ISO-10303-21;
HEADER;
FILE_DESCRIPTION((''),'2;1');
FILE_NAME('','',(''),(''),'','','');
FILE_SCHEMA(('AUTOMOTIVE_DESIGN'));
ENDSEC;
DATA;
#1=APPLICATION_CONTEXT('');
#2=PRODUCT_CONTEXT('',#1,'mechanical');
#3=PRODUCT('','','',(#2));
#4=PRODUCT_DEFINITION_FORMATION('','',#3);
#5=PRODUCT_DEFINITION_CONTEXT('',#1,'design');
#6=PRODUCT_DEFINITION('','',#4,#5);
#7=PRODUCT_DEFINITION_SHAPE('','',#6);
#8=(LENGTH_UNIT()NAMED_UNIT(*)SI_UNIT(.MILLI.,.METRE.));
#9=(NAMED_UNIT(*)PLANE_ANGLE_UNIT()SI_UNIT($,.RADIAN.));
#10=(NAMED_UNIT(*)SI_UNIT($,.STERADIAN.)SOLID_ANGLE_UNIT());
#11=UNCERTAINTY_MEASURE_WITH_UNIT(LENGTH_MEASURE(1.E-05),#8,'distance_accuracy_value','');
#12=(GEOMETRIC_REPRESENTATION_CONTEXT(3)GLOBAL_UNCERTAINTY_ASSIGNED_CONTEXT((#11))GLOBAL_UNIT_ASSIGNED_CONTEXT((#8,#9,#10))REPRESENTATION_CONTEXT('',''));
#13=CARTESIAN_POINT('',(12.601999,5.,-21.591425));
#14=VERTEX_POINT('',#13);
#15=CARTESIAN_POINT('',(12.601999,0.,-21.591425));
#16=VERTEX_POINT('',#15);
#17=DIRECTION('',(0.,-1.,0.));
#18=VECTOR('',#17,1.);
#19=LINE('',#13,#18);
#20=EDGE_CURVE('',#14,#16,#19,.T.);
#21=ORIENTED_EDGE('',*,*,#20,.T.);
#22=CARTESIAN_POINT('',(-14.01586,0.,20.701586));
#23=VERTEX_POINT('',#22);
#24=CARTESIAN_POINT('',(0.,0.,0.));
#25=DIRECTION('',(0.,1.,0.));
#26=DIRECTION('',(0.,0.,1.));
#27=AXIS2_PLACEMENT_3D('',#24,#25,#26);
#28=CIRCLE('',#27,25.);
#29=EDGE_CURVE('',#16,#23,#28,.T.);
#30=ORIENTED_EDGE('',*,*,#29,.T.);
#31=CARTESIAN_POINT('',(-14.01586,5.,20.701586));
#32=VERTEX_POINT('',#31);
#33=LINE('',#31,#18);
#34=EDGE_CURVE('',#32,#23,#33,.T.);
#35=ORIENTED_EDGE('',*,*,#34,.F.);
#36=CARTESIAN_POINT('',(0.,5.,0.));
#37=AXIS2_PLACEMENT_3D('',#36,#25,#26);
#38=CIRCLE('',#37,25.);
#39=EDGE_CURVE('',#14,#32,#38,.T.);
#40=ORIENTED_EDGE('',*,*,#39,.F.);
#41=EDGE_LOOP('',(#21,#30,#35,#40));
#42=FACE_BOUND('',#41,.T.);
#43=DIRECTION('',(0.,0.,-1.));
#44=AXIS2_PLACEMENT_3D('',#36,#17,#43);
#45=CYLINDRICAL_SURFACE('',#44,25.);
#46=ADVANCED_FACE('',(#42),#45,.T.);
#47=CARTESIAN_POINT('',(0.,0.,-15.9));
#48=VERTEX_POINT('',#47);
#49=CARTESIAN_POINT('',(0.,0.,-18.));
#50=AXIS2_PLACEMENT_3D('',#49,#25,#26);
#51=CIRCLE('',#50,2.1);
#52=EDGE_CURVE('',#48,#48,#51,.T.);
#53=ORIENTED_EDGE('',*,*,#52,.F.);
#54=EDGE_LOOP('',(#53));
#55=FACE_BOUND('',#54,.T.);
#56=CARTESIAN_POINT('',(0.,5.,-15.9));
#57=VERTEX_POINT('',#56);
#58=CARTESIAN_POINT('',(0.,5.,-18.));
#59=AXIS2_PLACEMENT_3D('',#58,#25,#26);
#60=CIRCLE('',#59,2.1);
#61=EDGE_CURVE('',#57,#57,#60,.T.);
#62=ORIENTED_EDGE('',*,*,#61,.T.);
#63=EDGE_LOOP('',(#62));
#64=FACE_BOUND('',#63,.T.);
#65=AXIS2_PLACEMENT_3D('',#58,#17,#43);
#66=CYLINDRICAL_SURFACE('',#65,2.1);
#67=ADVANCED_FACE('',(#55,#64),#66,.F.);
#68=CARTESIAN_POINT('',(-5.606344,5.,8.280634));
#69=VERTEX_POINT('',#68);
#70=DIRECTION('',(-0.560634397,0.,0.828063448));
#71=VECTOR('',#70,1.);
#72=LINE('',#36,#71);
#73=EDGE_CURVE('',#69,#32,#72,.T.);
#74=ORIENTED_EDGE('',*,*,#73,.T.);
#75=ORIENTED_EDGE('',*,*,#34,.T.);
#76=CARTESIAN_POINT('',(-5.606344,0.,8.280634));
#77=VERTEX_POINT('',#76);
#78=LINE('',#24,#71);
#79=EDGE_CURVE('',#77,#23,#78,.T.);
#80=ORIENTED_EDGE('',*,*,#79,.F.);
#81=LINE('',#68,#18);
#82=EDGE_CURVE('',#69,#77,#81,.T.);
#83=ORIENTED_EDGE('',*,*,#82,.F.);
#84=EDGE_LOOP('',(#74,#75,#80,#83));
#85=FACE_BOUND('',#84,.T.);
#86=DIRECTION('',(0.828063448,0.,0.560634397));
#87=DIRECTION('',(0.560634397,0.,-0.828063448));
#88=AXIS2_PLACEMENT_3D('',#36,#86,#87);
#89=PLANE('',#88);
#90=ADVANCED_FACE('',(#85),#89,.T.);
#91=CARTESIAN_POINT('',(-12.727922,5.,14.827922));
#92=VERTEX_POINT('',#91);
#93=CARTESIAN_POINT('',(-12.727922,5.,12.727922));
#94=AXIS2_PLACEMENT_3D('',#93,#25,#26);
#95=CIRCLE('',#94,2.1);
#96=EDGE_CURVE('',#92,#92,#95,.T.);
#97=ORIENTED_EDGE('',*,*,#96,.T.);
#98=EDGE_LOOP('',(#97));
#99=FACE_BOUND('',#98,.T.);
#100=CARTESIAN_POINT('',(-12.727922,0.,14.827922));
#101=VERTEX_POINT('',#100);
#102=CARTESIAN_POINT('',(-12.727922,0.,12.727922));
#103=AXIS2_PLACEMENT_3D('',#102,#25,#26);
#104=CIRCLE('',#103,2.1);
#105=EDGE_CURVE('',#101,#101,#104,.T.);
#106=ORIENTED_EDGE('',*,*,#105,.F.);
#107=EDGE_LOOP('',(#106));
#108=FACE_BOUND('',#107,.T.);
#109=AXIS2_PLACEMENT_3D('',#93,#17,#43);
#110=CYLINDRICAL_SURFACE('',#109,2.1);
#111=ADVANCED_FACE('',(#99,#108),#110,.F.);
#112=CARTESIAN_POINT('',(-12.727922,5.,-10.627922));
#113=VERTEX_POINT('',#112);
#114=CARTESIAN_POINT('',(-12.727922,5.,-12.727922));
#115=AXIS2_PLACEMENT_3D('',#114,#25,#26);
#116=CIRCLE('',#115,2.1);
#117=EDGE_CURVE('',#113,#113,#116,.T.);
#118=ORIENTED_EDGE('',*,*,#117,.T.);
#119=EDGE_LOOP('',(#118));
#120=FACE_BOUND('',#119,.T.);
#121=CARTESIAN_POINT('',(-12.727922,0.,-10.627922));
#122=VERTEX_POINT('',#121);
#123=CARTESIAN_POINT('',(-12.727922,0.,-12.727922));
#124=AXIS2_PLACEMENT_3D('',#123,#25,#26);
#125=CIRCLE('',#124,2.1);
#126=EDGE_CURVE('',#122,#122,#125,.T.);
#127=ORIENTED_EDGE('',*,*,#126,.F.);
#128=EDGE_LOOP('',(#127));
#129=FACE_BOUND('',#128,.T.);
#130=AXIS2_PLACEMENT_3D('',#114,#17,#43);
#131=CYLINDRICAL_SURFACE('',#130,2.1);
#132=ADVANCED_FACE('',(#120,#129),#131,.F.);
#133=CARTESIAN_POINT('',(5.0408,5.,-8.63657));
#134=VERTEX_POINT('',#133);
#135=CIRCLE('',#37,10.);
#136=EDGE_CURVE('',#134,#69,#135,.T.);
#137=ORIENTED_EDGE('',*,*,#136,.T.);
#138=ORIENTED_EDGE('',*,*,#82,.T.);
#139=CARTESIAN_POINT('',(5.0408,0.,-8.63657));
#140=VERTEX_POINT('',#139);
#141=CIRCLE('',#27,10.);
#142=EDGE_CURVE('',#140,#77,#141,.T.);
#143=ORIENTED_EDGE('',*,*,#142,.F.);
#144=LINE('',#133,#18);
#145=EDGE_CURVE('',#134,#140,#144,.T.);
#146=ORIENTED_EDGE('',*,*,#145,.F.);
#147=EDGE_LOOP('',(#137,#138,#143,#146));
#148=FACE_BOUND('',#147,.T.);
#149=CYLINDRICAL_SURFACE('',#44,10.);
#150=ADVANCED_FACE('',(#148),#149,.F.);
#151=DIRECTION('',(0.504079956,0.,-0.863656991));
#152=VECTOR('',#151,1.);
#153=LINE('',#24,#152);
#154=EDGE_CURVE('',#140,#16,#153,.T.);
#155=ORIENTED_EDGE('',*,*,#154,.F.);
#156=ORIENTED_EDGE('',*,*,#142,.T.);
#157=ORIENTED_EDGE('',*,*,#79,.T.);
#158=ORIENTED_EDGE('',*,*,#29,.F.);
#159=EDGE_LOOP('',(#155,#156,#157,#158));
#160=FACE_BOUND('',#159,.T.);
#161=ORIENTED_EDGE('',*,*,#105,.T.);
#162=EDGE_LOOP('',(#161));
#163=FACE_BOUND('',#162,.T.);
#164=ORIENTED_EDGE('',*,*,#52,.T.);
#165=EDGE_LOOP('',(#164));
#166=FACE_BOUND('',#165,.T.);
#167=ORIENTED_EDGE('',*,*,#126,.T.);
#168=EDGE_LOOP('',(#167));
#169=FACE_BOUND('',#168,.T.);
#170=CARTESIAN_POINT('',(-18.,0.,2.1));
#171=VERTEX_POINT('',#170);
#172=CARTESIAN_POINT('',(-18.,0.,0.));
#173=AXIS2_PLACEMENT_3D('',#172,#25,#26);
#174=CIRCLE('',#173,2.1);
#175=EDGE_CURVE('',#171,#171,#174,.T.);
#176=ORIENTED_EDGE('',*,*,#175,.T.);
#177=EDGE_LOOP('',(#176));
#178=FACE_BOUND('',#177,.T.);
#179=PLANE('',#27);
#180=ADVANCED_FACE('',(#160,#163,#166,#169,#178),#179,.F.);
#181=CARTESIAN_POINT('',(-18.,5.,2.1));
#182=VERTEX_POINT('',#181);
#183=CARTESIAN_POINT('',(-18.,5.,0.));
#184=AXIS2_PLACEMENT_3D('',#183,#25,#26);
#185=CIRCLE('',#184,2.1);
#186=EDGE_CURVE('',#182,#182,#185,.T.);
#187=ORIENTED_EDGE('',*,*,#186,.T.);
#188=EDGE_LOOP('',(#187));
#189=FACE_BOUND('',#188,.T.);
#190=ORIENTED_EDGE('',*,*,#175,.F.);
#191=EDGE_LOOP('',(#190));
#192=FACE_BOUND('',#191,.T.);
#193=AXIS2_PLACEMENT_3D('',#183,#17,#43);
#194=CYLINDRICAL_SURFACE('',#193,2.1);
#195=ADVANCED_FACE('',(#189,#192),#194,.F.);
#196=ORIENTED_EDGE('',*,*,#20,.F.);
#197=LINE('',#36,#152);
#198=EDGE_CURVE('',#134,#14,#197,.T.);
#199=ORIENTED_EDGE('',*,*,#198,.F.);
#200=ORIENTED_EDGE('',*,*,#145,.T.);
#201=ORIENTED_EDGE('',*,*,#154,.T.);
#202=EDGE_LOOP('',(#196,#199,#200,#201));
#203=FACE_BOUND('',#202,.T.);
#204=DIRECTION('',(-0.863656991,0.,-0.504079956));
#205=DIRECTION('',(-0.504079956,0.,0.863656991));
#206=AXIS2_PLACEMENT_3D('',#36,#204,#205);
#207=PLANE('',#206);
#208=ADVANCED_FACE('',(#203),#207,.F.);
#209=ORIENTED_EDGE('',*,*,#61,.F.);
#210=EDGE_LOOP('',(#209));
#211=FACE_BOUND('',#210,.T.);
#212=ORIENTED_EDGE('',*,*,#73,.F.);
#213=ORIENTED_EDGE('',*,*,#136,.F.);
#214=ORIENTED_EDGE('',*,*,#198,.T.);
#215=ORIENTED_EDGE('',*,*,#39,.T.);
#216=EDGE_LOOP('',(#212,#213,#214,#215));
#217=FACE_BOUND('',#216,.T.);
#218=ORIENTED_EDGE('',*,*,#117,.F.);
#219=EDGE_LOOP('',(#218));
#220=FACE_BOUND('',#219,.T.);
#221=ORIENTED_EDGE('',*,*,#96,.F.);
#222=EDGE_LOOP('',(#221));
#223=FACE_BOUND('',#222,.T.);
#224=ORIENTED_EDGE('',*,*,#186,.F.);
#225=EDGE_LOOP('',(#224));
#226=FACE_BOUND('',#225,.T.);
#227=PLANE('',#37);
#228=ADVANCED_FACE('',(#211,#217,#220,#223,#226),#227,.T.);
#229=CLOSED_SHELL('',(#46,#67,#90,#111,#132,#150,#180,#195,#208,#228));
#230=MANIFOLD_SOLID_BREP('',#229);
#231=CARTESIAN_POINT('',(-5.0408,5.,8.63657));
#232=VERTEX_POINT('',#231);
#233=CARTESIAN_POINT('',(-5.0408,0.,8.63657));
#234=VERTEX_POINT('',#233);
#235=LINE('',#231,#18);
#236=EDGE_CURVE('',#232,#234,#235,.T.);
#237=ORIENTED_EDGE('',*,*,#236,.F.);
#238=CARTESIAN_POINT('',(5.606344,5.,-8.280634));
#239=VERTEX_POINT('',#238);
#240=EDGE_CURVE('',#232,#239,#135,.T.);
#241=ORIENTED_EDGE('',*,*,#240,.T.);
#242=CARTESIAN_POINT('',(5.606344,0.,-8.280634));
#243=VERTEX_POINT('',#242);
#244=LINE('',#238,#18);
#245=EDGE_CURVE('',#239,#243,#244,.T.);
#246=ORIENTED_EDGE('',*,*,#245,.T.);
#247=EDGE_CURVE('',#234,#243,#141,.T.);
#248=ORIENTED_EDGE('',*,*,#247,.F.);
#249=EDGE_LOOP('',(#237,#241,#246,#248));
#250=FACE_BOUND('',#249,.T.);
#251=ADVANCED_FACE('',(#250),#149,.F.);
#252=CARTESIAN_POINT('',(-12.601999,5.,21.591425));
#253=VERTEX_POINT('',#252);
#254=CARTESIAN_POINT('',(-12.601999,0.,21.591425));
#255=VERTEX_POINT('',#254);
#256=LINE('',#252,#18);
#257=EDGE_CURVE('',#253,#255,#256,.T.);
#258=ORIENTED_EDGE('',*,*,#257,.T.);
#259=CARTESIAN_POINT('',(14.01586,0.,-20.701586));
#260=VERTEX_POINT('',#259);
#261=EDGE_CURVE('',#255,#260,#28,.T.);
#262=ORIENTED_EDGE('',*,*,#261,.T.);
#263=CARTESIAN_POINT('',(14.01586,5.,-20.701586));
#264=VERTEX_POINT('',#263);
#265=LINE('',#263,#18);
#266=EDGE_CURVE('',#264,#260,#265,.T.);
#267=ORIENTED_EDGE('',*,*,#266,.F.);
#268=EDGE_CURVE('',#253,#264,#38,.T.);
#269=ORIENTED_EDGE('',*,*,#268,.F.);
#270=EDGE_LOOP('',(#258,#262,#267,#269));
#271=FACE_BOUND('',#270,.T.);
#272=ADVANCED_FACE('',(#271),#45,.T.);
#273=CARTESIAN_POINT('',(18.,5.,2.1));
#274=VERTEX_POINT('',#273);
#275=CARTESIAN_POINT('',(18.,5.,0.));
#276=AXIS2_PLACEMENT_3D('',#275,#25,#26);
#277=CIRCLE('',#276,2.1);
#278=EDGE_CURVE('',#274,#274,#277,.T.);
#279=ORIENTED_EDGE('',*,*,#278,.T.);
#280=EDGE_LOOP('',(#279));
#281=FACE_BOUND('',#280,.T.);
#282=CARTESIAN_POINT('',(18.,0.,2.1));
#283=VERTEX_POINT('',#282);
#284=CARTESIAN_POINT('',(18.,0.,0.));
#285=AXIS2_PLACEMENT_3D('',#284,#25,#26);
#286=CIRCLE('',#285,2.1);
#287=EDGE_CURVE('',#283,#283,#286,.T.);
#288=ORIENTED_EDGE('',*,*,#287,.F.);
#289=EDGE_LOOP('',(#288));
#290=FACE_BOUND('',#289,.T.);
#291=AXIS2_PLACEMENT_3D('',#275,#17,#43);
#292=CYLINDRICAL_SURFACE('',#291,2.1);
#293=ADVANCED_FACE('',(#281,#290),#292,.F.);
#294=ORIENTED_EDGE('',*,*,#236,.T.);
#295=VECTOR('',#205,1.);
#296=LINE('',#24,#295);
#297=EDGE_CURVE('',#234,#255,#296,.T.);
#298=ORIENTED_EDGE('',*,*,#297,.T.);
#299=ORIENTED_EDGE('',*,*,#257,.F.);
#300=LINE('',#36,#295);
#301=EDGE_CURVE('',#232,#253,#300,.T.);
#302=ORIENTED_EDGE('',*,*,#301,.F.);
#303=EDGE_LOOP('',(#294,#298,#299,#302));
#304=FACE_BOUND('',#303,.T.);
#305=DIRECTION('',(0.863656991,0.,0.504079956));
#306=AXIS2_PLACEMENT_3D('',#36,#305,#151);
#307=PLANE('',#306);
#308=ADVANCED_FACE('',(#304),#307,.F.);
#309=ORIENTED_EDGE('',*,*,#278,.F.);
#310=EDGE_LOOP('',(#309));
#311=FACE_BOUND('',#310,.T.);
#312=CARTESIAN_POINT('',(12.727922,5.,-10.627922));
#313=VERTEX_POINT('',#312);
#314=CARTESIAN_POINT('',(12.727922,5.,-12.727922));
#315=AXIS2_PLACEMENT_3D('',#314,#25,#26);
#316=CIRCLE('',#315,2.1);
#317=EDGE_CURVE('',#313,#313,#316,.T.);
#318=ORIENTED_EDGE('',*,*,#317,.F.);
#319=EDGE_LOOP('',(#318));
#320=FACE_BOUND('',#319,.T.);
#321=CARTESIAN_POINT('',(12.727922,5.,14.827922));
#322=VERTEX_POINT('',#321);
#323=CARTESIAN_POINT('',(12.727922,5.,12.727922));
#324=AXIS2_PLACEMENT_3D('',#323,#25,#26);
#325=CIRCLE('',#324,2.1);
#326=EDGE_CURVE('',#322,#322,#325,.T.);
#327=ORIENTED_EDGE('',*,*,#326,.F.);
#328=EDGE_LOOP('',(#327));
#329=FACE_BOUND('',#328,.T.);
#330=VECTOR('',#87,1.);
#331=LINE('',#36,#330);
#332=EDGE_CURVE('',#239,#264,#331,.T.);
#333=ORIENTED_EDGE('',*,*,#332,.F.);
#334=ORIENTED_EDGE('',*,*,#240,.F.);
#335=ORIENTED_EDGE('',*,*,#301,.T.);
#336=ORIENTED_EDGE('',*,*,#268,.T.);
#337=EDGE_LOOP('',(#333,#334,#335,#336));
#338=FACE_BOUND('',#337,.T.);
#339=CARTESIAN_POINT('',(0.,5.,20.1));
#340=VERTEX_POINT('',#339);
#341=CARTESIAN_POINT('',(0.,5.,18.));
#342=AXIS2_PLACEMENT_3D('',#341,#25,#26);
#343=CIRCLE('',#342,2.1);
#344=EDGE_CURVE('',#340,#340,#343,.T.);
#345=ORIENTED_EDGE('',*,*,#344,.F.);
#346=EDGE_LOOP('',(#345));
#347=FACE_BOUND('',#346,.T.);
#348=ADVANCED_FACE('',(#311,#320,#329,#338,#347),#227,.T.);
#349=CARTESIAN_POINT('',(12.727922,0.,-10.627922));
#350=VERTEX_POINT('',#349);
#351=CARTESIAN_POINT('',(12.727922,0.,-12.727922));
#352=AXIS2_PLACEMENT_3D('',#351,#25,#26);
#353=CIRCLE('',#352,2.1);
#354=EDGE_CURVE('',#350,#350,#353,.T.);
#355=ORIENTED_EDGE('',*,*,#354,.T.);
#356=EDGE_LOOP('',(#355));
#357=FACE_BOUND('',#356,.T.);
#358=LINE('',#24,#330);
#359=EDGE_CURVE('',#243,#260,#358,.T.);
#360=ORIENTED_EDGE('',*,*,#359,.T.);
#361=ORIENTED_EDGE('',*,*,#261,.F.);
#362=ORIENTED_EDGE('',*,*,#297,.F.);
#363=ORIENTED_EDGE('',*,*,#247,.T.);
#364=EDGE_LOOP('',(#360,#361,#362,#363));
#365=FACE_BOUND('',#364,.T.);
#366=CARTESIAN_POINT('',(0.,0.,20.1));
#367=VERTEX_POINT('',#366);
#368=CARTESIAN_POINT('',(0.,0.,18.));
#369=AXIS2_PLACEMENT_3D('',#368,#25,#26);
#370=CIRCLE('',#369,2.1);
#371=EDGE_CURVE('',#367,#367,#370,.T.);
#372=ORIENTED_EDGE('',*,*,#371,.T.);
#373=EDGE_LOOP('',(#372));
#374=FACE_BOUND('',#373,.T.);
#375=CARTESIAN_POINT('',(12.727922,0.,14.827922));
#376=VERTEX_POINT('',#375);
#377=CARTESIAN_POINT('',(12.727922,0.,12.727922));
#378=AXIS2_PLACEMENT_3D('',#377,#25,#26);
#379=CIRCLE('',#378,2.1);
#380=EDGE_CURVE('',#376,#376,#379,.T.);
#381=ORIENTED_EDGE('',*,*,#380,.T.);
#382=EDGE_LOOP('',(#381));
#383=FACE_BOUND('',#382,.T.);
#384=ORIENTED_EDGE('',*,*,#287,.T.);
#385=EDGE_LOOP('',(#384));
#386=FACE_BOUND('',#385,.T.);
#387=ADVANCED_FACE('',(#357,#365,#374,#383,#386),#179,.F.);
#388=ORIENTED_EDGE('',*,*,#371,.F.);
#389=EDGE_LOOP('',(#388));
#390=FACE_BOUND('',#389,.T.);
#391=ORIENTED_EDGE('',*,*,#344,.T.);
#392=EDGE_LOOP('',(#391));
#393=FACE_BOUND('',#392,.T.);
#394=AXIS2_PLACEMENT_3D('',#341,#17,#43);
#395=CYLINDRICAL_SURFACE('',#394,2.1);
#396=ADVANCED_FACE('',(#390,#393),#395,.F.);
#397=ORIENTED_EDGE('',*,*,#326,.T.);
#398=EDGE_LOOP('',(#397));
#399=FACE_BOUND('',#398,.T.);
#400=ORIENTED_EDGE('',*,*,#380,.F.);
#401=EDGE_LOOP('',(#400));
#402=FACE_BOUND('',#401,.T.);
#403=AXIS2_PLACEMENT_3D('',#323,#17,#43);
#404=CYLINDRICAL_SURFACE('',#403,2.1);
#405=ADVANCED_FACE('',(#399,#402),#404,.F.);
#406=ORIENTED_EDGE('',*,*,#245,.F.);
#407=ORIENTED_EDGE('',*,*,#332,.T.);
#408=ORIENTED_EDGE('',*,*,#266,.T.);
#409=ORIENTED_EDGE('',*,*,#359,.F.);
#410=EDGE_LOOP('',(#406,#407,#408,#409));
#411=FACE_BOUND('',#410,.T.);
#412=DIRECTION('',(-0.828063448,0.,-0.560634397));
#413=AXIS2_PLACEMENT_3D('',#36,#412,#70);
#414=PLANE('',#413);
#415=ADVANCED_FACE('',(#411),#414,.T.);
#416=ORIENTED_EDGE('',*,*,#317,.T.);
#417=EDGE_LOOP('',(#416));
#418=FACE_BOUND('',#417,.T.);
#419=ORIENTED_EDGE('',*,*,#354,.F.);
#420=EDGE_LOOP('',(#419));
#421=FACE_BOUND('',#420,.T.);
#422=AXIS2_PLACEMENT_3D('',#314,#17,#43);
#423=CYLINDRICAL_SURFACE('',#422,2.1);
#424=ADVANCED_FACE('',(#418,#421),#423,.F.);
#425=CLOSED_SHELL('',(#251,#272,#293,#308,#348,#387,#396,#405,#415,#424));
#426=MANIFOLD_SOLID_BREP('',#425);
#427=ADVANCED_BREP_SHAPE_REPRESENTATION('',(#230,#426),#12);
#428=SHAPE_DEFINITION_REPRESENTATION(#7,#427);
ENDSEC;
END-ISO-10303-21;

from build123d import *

# Parameters (mm, degrees)
SKETCH_1_R        = 2.1
EXTRUDE_2_DEPTH   = 5
EXTRUDE_2_2_DEPTH = 5


with BuildPart() as part:
    # Эскиз1 → Бобышка-Вытянуть2 (new body)
    with BuildSketch(Plane(origin=(0, 0, 0), x_dir=(1, 0, 0), z_dir=(0, 1, 0))):
        with BuildLine():
            Line((-14.015859913, -20.701586193), (-5.606343965, -8.280634477))
            ThreePointArc((-5.606343965, -8.280634477), (-8.46332743, 5.326545673), (5.040799558, 8.63656991))
            Line((5.040799558, 8.63656991), (12.601998896, 21.591424775))
            ThreePointArc((12.601998896, 21.591424775), (-21.158318575, 13.316364183), (-14.015859913, -20.701586193))
        make_face()
        with Locations(Location((-12.727922061, -12.727922061, 0), (0, 0, 270))):
            Circle(SKETCH_1_R, mode=Mode.SUBTRACT)
        with Locations(Location((-18, 0, 0), (0, 0, 270))):
            Circle(SKETCH_1_R, mode=Mode.SUBTRACT)
        with Locations(Location((-12.727922061, 12.727922061, 0), (0, 0, 270))):
            Circle(SKETCH_1_R, mode=Mode.SUBTRACT)
        with Locations(Location((0, 18, 0), (0, 0, 270))):
            Circle(SKETCH_1_R, mode=Mode.SUBTRACT)
    extrude(amount=EXTRUDE_2_DEPTH)


with BuildPart() as body_2:
    # Эскиз1 → Extrude 2 2 (new body)
    with BuildSketch(Plane(origin=(0, 0, 0), x_dir=(1, 0, 0), z_dir=(0, 1, 0))):
        with BuildLine():
            ThreePointArc((10, 0), (4.979558435, -8.672023858), (-5.040799558, -8.63656991))
            Line((-5.040799558, -8.63656991), (-12.601998896, -21.591424775))
            ThreePointArc((-12.601998896, -21.591424775), (12.448896088, -21.680059645), (25, 0))
            ThreePointArc((25, 0), (22.083891163, 11.717582988), (14.015859913, 20.701586193))
            Line((14.015859913, 20.701586193), (5.606343965, 8.280634477))
            ThreePointArc((5.606343965, 8.280634477), (8.833556465, 4.687033195), (10, 0))
        make_face()
        with Locations(Location((0, -18, 0), (0, 0, 270))):
            Circle(SKETCH_1_R, mode=Mode.SUBTRACT)
        with Locations(Location((12.727922061, -12.727922061, 0), (0, 0, 270))):
            Circle(SKETCH_1_R, mode=Mode.SUBTRACT)
        with Locations(Location((18, 0, 0), (0, 0, 270))):
            Circle(SKETCH_1_R, mode=Mode.SUBTRACT)
        with Locations(Location((12.727922061, 12.727922061, 0), (0, 0, 270))):
            Circle(SKETCH_1_R, mode=Mode.SUBTRACT)
    extrude(amount=EXTRUDE_2_2_DEPTH)


solid = Compound([part.part, body_2.part])
